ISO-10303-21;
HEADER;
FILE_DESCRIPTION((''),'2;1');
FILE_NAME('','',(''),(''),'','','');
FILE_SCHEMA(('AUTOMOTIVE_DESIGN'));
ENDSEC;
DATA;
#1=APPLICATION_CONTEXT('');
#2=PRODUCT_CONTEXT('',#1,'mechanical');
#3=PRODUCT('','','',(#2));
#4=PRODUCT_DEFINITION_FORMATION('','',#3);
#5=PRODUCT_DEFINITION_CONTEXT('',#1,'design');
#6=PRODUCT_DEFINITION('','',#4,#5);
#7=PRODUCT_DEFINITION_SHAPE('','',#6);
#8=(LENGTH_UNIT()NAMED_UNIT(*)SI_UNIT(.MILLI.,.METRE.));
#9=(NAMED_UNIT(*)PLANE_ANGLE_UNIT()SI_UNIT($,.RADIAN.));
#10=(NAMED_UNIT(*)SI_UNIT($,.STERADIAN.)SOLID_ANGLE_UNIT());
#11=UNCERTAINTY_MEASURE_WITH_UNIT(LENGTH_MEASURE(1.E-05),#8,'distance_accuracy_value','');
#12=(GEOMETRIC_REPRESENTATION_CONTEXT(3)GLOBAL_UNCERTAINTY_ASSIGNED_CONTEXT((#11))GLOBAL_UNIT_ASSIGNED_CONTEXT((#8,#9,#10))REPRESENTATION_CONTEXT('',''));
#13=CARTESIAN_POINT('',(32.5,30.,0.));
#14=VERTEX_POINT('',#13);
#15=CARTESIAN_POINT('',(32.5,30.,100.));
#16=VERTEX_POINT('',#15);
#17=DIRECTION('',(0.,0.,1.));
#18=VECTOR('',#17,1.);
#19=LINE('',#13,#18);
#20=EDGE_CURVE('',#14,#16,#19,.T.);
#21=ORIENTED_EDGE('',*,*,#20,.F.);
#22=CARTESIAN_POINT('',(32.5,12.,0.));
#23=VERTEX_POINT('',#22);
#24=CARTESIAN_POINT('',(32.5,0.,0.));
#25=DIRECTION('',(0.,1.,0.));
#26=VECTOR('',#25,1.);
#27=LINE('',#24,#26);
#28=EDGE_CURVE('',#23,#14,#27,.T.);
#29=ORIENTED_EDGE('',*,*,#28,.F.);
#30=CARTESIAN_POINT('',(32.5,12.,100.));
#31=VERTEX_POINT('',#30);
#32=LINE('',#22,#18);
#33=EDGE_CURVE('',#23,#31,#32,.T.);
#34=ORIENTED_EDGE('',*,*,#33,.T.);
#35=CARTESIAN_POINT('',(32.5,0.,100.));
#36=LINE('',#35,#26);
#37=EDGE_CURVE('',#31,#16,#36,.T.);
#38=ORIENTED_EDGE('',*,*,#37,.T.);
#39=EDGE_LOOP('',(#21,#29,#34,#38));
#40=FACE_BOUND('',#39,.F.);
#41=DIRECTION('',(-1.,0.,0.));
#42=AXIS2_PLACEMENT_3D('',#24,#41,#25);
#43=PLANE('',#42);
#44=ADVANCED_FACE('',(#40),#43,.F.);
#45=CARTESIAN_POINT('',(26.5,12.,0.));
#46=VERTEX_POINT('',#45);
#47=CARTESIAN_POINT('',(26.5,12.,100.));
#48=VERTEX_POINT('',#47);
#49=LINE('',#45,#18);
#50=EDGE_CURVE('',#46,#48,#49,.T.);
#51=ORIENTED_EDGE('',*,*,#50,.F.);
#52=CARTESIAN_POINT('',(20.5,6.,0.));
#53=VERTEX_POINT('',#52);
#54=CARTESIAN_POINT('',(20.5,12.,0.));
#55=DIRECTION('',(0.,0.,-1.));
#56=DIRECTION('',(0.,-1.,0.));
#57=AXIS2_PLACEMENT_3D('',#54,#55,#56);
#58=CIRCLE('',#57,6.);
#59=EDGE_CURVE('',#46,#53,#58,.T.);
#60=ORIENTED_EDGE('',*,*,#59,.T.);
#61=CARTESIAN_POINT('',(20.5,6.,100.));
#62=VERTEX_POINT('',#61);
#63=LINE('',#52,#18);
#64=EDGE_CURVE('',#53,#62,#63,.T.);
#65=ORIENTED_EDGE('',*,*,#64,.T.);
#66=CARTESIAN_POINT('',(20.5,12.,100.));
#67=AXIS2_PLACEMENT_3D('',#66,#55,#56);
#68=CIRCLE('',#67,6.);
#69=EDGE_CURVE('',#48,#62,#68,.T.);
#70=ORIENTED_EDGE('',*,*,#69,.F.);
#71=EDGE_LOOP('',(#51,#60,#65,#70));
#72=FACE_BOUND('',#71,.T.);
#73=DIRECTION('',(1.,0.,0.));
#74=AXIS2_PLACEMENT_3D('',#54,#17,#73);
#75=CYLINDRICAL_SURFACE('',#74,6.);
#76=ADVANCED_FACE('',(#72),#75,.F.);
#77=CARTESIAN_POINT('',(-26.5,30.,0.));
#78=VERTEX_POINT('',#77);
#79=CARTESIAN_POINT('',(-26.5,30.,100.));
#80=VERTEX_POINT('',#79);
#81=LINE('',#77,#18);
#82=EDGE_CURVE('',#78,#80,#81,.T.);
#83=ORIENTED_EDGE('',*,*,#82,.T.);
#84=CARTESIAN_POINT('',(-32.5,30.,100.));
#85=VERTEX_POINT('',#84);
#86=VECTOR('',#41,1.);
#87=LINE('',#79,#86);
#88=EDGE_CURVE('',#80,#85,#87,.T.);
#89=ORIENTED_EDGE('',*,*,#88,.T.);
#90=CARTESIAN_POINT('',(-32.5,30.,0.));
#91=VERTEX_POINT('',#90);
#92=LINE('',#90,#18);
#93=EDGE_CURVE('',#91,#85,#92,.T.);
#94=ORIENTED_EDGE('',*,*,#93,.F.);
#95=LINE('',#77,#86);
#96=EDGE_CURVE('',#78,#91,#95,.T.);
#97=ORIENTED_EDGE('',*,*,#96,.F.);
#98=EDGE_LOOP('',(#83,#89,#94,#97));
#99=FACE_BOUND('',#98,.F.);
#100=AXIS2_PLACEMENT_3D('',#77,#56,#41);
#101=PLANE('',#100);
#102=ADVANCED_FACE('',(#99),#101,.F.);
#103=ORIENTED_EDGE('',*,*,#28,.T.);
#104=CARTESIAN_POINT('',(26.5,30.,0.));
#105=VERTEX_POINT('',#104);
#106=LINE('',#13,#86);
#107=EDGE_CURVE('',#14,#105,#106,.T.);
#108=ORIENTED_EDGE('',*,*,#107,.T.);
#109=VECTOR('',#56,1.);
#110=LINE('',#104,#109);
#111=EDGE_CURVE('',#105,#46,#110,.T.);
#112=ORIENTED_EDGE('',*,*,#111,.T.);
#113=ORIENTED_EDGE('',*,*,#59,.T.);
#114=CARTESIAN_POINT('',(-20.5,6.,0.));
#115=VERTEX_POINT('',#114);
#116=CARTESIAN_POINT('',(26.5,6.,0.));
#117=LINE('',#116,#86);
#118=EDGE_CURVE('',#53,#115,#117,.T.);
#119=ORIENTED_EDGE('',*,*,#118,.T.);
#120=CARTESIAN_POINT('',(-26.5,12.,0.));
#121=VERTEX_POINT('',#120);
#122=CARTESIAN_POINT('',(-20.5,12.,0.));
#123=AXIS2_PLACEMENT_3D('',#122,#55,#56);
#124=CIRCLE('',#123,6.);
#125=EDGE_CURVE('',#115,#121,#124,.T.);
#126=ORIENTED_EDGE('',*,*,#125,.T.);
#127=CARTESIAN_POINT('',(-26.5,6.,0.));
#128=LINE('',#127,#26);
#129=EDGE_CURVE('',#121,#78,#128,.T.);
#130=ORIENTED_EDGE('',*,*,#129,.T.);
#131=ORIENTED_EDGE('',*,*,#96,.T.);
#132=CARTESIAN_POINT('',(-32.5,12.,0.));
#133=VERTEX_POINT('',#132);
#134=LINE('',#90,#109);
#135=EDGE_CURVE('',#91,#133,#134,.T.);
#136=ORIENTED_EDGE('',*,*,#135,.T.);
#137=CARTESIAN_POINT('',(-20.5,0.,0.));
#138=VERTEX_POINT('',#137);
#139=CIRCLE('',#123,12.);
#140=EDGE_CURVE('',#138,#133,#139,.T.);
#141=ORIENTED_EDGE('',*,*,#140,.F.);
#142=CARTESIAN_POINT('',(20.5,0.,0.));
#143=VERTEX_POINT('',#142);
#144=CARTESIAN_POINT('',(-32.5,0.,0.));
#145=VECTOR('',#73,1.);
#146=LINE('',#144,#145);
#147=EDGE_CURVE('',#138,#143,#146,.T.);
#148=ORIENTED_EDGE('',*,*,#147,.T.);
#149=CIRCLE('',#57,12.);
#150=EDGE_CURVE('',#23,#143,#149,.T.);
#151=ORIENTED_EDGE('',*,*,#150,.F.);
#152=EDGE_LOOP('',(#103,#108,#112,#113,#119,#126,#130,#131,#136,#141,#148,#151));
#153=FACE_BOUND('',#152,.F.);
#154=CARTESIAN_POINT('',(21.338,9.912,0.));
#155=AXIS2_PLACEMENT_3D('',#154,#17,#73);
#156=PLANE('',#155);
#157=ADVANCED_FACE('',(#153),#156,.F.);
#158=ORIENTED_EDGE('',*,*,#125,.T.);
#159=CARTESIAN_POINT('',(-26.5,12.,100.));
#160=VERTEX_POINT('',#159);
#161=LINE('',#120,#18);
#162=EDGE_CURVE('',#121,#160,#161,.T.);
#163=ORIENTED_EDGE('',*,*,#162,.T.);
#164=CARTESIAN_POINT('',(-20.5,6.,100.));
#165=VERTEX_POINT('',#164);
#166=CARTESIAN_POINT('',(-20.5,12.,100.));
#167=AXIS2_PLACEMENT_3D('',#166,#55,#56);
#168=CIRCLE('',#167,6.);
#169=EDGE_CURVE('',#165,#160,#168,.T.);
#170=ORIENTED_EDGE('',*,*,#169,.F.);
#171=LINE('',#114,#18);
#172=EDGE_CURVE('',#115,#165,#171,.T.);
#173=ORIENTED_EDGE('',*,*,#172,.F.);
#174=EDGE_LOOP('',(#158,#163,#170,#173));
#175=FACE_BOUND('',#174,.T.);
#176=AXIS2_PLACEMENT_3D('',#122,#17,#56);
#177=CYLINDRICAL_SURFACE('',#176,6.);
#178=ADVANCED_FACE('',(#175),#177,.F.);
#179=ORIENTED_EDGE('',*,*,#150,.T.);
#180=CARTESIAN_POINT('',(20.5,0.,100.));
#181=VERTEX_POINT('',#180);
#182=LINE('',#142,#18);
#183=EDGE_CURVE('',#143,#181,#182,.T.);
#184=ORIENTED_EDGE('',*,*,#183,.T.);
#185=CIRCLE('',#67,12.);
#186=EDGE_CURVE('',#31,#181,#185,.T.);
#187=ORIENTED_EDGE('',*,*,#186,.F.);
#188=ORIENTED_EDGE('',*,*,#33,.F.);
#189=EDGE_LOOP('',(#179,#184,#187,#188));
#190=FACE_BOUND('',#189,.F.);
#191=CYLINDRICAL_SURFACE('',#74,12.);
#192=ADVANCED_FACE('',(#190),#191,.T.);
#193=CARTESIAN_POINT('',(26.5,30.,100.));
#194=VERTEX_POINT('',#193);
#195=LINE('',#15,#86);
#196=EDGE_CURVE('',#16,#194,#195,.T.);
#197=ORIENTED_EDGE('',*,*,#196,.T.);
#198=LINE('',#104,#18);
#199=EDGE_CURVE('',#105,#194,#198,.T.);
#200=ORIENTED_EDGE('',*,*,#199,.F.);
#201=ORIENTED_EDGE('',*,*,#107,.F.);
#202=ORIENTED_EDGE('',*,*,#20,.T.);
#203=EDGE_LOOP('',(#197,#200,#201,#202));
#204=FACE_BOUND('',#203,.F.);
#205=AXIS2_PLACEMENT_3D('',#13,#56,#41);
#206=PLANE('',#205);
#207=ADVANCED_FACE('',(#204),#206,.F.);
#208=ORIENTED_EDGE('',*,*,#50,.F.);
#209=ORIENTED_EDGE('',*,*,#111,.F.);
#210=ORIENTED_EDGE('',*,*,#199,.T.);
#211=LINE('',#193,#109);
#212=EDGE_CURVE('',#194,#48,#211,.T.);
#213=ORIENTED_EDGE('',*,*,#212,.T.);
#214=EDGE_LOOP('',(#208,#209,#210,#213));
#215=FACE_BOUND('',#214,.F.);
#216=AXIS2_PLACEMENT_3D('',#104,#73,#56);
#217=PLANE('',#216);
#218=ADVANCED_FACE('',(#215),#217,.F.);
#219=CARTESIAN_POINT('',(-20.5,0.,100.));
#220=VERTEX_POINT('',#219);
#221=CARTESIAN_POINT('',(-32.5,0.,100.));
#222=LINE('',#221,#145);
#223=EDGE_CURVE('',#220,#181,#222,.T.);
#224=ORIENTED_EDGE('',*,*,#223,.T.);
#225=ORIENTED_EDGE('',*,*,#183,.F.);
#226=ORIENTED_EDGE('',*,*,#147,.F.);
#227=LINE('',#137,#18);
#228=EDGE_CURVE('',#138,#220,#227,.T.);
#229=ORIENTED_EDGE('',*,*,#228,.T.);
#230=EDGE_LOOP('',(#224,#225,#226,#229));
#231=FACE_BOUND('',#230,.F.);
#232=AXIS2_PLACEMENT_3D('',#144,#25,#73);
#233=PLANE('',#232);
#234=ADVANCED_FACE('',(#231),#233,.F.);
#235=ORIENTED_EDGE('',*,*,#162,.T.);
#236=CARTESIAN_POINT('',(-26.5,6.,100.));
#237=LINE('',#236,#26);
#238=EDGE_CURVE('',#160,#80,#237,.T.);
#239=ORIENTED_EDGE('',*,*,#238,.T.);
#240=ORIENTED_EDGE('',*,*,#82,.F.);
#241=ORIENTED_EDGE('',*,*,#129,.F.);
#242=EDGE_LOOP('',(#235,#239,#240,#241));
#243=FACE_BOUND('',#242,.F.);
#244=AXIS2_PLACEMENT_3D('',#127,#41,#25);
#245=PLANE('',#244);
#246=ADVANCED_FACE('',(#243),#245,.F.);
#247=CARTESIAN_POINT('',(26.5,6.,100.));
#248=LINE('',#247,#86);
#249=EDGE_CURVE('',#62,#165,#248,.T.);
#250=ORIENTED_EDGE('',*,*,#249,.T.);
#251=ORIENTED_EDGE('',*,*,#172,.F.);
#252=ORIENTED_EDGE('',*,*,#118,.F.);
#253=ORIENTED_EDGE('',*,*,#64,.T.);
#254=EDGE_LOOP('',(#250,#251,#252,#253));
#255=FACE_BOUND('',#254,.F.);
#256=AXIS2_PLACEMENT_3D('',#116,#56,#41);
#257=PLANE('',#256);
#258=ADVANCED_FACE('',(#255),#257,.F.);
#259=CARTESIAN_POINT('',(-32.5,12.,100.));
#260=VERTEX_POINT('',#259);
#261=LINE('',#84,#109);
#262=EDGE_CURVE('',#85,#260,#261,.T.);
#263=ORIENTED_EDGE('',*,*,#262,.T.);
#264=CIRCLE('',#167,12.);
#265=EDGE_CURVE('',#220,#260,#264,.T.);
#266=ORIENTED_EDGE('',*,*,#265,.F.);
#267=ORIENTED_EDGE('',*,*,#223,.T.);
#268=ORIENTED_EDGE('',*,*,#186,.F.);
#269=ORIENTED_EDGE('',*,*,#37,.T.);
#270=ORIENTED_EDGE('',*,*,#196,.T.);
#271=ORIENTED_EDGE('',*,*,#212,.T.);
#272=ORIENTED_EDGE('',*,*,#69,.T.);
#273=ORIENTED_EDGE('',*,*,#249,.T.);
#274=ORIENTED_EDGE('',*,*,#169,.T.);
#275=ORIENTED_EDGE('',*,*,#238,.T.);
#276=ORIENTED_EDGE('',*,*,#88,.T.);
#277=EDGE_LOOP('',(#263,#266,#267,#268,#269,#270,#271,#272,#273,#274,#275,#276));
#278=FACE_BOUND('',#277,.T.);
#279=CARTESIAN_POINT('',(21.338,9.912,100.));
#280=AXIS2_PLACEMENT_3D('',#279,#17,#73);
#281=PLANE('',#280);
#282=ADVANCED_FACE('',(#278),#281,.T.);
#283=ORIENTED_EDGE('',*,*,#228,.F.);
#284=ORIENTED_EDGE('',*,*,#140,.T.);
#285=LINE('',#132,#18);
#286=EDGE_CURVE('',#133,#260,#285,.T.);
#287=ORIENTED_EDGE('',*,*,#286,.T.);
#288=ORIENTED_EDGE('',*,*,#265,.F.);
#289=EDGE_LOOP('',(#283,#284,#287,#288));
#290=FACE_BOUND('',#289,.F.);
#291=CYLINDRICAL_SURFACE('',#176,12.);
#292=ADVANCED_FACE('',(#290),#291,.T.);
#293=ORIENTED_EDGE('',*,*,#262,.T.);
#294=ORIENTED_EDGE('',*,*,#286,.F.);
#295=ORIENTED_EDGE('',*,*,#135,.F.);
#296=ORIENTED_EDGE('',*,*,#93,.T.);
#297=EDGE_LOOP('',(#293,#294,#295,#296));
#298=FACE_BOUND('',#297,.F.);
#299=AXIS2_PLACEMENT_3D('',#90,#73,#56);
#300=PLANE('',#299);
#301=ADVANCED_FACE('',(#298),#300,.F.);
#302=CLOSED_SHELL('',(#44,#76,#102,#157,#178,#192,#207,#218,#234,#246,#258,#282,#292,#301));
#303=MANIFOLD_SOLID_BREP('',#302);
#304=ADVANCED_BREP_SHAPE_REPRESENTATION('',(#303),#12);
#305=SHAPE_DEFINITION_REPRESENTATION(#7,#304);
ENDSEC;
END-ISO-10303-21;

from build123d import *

# Parameters (mm, degrees)
F1_DEPTH = 100
F2_R     = 6
F3_R     = 12


with BuildPart() as f1:
    # F0 (on Top) → F1 (new body)
    with BuildSketch(Plane.XY):
        Polygon((0, 6), (0, 0), (32.5, 0), (32.5, 30), (26.5, 30), (26.5, 6), align=None)
        Polygon((-32.5, 0), (0, 0), (0, 6), (-26.5, 6), (-26.5, 30), (-32.5, 30), align=None)
    extrude(amount=F1_DEPTH)

    # F2
    f2_edges = [f1.edges().sort_by_distance(p)[0] for p in [
        (26.5, 6, 50),
        (-26.5, 6, 50),
    ]]
    fillet(f2_edges, radius=F2_R)

    # F3
    f3_edges = [f1.edges().sort_by_distance(p)[0] for p in [
        (32.5, 0, 50),
        (-32.5, 0, 50),
    ]]
    fillet(f3_edges, radius=F3_R)


solid = f1.part
